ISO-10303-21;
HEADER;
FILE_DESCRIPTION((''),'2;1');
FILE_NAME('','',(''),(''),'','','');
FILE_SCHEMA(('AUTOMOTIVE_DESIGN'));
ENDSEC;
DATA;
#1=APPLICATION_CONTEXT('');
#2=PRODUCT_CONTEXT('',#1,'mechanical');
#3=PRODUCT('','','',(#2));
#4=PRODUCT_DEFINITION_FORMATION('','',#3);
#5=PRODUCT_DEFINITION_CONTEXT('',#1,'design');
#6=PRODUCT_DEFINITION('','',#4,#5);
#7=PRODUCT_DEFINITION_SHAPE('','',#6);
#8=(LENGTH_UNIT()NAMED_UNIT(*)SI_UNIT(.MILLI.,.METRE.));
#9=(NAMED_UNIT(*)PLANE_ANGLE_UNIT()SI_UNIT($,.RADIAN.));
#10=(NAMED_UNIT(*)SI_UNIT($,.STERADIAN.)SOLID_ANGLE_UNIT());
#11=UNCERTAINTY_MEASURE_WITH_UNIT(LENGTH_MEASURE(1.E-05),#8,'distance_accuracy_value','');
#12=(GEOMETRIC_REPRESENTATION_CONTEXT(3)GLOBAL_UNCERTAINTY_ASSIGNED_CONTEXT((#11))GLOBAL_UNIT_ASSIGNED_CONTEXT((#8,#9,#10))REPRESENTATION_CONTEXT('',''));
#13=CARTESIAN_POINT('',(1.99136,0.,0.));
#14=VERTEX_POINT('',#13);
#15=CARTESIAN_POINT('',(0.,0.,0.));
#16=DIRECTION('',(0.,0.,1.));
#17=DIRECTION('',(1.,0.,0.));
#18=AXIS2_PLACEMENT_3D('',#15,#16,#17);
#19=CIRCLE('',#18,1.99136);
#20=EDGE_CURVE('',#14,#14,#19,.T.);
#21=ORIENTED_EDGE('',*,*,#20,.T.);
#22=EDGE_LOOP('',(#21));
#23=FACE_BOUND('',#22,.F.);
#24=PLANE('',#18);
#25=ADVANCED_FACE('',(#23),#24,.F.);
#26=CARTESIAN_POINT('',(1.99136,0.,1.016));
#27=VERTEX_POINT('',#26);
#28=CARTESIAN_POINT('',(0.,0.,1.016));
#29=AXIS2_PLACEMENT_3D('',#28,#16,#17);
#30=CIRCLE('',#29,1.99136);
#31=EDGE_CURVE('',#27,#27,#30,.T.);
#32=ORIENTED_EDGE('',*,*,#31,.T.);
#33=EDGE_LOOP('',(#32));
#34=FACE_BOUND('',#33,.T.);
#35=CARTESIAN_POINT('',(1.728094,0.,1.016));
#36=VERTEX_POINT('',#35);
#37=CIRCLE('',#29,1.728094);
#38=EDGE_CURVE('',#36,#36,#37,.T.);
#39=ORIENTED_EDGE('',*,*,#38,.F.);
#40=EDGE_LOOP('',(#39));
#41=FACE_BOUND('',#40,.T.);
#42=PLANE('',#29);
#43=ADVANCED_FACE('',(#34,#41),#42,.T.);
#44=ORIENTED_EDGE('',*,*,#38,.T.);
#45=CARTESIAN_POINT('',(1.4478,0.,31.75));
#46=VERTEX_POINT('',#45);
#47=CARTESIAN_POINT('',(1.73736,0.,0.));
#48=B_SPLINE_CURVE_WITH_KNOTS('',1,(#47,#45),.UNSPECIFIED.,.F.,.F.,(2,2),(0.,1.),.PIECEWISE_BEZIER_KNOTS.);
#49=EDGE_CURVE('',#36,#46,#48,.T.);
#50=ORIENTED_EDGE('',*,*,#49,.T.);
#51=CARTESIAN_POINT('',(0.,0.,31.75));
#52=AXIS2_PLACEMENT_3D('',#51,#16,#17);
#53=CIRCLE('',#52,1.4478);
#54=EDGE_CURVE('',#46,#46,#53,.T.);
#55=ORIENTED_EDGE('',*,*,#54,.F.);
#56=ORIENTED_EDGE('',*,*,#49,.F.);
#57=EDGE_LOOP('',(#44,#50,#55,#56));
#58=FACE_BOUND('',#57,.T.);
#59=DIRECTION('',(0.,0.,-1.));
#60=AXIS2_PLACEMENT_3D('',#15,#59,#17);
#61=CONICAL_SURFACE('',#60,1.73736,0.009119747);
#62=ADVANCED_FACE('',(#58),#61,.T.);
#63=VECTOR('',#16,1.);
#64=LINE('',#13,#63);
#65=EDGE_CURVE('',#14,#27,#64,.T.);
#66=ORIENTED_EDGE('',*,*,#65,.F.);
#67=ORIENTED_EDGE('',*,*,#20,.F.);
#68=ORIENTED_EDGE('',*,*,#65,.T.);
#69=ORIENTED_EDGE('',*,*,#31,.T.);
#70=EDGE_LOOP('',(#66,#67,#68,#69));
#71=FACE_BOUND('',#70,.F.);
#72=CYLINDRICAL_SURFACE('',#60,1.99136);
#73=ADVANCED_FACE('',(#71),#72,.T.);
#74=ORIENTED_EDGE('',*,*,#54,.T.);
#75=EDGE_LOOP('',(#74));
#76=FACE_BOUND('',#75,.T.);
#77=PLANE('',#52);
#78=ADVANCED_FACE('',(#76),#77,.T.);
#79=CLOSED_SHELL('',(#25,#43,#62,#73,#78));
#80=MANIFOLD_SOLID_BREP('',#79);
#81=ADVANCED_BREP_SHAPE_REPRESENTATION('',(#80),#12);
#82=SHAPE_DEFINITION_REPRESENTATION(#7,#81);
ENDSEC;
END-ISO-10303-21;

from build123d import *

# Parameters (mm, degrees)
F0_R     = 1.73736
F2_R     = 1.4478
F4_R     = 1.99136
F5_DEPTH = 1.016


with BuildPart() as f3:
    # F0 (on Top) → F3 section 0
    with BuildSketch(Plane.XY):
        Circle(F0_R)
    # F2 (on offset) → F3 section 1
    with BuildSketch(Plane.XY.offset(31.75)):
        Circle(F2_R)
    loft()

    # F4 (on Top) → F5 (join)
    with BuildSketch(Plane.XY):
        Circle(F4_R)
    extrude(amount=F5_DEPTH)


solid = f3.part
